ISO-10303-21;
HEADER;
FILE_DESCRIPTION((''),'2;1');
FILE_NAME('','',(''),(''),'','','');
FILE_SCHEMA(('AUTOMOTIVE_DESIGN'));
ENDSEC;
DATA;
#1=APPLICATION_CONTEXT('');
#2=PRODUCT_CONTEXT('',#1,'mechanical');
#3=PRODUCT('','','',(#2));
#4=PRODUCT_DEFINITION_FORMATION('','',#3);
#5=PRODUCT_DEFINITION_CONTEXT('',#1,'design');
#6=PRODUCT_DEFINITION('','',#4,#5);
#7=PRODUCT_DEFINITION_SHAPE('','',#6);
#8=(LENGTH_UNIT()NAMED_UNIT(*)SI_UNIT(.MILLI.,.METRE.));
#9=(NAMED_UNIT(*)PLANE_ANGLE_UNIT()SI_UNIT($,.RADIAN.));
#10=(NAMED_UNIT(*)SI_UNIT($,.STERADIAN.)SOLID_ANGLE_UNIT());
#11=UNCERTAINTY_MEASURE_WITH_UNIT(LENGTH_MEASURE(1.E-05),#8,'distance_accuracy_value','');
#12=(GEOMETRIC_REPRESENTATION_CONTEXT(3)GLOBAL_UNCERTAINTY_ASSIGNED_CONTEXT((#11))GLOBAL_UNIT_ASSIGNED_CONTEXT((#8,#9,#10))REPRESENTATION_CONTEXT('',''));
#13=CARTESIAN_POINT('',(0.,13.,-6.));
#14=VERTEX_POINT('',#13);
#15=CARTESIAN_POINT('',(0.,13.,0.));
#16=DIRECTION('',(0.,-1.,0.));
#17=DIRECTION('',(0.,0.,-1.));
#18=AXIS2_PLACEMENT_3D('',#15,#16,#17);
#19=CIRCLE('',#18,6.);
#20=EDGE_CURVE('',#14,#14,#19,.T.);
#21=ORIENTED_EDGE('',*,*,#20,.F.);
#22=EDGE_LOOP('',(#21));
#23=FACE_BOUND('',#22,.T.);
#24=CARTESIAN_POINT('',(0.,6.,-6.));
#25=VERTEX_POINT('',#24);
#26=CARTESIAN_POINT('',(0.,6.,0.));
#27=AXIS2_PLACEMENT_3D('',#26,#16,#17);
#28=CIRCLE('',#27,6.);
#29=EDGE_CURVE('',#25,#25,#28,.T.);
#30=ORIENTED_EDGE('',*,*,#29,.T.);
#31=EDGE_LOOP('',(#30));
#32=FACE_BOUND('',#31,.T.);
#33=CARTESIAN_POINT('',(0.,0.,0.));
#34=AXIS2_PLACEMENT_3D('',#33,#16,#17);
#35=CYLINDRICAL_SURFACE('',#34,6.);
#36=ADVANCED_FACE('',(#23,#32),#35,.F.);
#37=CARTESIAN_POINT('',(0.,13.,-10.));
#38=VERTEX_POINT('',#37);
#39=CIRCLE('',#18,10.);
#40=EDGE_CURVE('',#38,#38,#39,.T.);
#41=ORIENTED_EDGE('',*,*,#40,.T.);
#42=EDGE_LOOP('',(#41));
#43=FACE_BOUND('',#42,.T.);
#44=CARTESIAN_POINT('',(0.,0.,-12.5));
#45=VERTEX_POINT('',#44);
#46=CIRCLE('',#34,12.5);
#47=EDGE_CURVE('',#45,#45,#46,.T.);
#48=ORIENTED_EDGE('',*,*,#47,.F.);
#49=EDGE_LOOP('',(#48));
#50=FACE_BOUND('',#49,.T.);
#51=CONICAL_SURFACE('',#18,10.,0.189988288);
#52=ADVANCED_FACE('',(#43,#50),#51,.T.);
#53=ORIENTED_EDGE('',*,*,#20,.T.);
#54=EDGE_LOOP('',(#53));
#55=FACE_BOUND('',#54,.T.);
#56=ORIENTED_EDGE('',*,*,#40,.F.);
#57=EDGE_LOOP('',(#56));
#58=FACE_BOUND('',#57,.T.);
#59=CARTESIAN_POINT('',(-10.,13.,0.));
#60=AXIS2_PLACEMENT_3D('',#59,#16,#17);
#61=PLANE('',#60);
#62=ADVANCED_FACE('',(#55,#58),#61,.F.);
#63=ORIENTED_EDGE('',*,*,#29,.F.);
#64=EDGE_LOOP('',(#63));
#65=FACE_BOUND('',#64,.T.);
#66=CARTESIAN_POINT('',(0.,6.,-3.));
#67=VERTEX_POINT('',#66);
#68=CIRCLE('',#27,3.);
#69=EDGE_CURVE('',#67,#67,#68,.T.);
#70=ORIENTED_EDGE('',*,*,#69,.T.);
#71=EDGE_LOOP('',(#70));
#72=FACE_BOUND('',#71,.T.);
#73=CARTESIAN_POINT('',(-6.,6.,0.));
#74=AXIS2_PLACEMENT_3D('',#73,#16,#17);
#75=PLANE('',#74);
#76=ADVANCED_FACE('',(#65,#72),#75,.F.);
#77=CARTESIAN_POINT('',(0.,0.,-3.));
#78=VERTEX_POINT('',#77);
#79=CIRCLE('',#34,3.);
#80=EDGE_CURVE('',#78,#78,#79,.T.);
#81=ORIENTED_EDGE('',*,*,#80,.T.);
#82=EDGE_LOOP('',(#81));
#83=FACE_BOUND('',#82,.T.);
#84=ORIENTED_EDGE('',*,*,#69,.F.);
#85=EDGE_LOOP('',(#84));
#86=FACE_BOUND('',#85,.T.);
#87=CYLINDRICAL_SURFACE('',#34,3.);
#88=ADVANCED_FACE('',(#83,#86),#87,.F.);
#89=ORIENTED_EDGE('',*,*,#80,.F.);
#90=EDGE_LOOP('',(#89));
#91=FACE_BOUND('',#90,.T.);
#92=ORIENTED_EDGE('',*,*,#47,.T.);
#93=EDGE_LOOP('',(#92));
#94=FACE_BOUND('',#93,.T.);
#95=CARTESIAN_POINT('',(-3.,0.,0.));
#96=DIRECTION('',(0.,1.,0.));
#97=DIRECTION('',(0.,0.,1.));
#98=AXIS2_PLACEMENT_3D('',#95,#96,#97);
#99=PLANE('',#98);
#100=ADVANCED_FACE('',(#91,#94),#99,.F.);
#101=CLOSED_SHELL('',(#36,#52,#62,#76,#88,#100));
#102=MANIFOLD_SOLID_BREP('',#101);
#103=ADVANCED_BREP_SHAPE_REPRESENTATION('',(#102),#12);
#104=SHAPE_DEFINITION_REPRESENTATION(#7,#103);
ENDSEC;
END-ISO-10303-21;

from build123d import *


with BuildPart() as part:
    # 草图1 → 旋转1 (revolve)
    with BuildSketch(Plane.XY):
        Polygon((-3, 0), (-12.5, 0), (-10, 13), (-6, 13), (-6, 6), (-3, 6), align=None)
    revolve(axis=Axis((0, 0, 0), (0, 1, 0)))


solid = part.part
